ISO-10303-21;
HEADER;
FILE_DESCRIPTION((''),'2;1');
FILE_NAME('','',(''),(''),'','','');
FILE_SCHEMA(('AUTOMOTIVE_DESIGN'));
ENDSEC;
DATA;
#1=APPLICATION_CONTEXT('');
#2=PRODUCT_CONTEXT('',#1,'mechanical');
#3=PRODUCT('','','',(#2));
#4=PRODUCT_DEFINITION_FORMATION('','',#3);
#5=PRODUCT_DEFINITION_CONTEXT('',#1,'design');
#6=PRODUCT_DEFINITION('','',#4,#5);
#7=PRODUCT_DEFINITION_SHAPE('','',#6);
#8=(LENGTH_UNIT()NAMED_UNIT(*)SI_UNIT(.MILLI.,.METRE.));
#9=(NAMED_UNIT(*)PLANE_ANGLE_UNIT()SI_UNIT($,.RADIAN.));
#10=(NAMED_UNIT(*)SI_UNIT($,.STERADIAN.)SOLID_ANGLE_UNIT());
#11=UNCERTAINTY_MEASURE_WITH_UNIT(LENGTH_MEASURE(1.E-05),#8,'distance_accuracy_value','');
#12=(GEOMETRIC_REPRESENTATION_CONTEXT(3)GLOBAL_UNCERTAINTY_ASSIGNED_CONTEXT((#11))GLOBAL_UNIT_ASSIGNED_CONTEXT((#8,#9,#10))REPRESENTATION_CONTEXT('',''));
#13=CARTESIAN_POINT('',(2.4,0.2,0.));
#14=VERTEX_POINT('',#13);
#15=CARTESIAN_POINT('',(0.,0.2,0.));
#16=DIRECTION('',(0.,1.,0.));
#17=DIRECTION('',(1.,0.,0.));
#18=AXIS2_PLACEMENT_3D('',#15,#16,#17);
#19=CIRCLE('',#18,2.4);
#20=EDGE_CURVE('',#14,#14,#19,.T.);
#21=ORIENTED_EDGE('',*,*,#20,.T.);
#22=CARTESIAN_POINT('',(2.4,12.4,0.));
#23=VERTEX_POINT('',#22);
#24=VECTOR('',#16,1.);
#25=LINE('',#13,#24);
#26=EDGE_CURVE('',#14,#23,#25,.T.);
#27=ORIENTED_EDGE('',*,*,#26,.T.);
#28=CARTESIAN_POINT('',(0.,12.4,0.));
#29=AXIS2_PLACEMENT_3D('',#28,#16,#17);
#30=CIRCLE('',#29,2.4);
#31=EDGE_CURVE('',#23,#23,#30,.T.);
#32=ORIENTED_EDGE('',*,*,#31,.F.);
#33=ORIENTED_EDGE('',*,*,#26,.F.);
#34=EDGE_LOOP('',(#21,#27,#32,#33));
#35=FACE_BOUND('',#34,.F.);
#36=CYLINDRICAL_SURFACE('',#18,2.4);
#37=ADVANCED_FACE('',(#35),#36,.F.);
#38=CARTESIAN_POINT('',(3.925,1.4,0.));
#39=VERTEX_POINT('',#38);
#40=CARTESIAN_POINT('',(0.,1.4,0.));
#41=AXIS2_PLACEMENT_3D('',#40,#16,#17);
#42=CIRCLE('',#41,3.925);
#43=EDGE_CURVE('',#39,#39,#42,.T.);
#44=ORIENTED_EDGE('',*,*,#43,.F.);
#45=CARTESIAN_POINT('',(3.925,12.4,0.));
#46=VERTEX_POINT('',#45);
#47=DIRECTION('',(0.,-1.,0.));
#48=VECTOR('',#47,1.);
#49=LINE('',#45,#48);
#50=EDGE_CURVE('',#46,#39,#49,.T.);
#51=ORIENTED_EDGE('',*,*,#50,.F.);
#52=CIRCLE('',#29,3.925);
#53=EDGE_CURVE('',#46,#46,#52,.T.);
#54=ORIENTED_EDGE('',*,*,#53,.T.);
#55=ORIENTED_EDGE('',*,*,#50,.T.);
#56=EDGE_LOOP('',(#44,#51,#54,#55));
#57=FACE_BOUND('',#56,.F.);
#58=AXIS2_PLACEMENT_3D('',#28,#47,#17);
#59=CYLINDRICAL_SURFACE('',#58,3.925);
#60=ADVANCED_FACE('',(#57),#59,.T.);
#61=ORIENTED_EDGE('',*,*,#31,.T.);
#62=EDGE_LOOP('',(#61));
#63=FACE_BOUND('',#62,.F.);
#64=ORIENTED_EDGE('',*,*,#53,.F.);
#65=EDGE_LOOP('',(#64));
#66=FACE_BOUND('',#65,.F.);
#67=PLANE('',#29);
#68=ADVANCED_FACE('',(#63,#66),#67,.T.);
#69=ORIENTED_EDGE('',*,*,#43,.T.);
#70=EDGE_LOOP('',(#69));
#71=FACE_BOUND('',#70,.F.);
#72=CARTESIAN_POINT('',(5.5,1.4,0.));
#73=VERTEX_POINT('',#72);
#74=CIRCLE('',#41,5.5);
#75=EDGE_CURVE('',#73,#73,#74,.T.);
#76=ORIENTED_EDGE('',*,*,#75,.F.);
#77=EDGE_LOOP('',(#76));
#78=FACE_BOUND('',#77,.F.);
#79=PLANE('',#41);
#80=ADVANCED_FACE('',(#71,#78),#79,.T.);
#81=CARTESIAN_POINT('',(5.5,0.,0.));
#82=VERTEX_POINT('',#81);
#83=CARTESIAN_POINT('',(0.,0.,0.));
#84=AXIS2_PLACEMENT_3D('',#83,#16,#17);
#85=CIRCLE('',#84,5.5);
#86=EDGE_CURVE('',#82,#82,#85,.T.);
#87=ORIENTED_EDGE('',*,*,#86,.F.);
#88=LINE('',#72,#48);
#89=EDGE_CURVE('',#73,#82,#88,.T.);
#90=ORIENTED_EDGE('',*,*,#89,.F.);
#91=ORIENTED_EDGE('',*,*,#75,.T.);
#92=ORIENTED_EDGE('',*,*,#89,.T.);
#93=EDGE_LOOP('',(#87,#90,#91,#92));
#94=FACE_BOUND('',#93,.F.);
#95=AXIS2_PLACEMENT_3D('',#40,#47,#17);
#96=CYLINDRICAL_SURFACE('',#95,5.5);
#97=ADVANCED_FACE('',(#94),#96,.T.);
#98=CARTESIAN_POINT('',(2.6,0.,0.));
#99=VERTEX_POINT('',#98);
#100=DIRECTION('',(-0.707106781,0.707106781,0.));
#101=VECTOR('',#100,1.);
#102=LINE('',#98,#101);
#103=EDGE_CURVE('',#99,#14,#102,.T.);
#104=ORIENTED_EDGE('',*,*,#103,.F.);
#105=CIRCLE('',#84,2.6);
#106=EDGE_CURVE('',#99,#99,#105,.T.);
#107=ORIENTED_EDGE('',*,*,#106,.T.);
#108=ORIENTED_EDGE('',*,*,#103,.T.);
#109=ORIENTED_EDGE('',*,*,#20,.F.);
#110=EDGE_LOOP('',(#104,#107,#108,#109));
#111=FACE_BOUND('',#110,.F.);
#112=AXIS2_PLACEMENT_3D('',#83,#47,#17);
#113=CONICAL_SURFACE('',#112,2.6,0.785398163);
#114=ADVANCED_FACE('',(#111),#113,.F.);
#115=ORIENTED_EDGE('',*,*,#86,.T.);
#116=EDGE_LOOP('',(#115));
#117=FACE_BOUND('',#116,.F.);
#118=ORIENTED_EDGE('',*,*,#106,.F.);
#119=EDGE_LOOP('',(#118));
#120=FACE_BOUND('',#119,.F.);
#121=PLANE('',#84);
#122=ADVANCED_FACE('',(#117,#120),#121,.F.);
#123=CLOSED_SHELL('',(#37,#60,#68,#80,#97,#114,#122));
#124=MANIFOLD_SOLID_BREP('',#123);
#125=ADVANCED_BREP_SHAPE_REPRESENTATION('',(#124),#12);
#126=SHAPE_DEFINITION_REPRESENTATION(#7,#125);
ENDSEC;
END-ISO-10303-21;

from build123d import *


with BuildPart() as part:
    # Sketch1 → Revolve1 (revolve)
    with BuildSketch(Plane(origin=(0, 0, 0), x_dir=(-1, 0, 0), z_dir=(0, 0, -1))):
        Polygon((-5.5, 0), (-2.6, 0), (-2.4, 0.2), (-2.4, 12.4), (-3.925, 12.4), (-3.925, 1.4), (-5.5, 1.4), align=None)
    revolve(axis=Axis((0, 0, 0), (0, 1, 0)))


solid = part.part
